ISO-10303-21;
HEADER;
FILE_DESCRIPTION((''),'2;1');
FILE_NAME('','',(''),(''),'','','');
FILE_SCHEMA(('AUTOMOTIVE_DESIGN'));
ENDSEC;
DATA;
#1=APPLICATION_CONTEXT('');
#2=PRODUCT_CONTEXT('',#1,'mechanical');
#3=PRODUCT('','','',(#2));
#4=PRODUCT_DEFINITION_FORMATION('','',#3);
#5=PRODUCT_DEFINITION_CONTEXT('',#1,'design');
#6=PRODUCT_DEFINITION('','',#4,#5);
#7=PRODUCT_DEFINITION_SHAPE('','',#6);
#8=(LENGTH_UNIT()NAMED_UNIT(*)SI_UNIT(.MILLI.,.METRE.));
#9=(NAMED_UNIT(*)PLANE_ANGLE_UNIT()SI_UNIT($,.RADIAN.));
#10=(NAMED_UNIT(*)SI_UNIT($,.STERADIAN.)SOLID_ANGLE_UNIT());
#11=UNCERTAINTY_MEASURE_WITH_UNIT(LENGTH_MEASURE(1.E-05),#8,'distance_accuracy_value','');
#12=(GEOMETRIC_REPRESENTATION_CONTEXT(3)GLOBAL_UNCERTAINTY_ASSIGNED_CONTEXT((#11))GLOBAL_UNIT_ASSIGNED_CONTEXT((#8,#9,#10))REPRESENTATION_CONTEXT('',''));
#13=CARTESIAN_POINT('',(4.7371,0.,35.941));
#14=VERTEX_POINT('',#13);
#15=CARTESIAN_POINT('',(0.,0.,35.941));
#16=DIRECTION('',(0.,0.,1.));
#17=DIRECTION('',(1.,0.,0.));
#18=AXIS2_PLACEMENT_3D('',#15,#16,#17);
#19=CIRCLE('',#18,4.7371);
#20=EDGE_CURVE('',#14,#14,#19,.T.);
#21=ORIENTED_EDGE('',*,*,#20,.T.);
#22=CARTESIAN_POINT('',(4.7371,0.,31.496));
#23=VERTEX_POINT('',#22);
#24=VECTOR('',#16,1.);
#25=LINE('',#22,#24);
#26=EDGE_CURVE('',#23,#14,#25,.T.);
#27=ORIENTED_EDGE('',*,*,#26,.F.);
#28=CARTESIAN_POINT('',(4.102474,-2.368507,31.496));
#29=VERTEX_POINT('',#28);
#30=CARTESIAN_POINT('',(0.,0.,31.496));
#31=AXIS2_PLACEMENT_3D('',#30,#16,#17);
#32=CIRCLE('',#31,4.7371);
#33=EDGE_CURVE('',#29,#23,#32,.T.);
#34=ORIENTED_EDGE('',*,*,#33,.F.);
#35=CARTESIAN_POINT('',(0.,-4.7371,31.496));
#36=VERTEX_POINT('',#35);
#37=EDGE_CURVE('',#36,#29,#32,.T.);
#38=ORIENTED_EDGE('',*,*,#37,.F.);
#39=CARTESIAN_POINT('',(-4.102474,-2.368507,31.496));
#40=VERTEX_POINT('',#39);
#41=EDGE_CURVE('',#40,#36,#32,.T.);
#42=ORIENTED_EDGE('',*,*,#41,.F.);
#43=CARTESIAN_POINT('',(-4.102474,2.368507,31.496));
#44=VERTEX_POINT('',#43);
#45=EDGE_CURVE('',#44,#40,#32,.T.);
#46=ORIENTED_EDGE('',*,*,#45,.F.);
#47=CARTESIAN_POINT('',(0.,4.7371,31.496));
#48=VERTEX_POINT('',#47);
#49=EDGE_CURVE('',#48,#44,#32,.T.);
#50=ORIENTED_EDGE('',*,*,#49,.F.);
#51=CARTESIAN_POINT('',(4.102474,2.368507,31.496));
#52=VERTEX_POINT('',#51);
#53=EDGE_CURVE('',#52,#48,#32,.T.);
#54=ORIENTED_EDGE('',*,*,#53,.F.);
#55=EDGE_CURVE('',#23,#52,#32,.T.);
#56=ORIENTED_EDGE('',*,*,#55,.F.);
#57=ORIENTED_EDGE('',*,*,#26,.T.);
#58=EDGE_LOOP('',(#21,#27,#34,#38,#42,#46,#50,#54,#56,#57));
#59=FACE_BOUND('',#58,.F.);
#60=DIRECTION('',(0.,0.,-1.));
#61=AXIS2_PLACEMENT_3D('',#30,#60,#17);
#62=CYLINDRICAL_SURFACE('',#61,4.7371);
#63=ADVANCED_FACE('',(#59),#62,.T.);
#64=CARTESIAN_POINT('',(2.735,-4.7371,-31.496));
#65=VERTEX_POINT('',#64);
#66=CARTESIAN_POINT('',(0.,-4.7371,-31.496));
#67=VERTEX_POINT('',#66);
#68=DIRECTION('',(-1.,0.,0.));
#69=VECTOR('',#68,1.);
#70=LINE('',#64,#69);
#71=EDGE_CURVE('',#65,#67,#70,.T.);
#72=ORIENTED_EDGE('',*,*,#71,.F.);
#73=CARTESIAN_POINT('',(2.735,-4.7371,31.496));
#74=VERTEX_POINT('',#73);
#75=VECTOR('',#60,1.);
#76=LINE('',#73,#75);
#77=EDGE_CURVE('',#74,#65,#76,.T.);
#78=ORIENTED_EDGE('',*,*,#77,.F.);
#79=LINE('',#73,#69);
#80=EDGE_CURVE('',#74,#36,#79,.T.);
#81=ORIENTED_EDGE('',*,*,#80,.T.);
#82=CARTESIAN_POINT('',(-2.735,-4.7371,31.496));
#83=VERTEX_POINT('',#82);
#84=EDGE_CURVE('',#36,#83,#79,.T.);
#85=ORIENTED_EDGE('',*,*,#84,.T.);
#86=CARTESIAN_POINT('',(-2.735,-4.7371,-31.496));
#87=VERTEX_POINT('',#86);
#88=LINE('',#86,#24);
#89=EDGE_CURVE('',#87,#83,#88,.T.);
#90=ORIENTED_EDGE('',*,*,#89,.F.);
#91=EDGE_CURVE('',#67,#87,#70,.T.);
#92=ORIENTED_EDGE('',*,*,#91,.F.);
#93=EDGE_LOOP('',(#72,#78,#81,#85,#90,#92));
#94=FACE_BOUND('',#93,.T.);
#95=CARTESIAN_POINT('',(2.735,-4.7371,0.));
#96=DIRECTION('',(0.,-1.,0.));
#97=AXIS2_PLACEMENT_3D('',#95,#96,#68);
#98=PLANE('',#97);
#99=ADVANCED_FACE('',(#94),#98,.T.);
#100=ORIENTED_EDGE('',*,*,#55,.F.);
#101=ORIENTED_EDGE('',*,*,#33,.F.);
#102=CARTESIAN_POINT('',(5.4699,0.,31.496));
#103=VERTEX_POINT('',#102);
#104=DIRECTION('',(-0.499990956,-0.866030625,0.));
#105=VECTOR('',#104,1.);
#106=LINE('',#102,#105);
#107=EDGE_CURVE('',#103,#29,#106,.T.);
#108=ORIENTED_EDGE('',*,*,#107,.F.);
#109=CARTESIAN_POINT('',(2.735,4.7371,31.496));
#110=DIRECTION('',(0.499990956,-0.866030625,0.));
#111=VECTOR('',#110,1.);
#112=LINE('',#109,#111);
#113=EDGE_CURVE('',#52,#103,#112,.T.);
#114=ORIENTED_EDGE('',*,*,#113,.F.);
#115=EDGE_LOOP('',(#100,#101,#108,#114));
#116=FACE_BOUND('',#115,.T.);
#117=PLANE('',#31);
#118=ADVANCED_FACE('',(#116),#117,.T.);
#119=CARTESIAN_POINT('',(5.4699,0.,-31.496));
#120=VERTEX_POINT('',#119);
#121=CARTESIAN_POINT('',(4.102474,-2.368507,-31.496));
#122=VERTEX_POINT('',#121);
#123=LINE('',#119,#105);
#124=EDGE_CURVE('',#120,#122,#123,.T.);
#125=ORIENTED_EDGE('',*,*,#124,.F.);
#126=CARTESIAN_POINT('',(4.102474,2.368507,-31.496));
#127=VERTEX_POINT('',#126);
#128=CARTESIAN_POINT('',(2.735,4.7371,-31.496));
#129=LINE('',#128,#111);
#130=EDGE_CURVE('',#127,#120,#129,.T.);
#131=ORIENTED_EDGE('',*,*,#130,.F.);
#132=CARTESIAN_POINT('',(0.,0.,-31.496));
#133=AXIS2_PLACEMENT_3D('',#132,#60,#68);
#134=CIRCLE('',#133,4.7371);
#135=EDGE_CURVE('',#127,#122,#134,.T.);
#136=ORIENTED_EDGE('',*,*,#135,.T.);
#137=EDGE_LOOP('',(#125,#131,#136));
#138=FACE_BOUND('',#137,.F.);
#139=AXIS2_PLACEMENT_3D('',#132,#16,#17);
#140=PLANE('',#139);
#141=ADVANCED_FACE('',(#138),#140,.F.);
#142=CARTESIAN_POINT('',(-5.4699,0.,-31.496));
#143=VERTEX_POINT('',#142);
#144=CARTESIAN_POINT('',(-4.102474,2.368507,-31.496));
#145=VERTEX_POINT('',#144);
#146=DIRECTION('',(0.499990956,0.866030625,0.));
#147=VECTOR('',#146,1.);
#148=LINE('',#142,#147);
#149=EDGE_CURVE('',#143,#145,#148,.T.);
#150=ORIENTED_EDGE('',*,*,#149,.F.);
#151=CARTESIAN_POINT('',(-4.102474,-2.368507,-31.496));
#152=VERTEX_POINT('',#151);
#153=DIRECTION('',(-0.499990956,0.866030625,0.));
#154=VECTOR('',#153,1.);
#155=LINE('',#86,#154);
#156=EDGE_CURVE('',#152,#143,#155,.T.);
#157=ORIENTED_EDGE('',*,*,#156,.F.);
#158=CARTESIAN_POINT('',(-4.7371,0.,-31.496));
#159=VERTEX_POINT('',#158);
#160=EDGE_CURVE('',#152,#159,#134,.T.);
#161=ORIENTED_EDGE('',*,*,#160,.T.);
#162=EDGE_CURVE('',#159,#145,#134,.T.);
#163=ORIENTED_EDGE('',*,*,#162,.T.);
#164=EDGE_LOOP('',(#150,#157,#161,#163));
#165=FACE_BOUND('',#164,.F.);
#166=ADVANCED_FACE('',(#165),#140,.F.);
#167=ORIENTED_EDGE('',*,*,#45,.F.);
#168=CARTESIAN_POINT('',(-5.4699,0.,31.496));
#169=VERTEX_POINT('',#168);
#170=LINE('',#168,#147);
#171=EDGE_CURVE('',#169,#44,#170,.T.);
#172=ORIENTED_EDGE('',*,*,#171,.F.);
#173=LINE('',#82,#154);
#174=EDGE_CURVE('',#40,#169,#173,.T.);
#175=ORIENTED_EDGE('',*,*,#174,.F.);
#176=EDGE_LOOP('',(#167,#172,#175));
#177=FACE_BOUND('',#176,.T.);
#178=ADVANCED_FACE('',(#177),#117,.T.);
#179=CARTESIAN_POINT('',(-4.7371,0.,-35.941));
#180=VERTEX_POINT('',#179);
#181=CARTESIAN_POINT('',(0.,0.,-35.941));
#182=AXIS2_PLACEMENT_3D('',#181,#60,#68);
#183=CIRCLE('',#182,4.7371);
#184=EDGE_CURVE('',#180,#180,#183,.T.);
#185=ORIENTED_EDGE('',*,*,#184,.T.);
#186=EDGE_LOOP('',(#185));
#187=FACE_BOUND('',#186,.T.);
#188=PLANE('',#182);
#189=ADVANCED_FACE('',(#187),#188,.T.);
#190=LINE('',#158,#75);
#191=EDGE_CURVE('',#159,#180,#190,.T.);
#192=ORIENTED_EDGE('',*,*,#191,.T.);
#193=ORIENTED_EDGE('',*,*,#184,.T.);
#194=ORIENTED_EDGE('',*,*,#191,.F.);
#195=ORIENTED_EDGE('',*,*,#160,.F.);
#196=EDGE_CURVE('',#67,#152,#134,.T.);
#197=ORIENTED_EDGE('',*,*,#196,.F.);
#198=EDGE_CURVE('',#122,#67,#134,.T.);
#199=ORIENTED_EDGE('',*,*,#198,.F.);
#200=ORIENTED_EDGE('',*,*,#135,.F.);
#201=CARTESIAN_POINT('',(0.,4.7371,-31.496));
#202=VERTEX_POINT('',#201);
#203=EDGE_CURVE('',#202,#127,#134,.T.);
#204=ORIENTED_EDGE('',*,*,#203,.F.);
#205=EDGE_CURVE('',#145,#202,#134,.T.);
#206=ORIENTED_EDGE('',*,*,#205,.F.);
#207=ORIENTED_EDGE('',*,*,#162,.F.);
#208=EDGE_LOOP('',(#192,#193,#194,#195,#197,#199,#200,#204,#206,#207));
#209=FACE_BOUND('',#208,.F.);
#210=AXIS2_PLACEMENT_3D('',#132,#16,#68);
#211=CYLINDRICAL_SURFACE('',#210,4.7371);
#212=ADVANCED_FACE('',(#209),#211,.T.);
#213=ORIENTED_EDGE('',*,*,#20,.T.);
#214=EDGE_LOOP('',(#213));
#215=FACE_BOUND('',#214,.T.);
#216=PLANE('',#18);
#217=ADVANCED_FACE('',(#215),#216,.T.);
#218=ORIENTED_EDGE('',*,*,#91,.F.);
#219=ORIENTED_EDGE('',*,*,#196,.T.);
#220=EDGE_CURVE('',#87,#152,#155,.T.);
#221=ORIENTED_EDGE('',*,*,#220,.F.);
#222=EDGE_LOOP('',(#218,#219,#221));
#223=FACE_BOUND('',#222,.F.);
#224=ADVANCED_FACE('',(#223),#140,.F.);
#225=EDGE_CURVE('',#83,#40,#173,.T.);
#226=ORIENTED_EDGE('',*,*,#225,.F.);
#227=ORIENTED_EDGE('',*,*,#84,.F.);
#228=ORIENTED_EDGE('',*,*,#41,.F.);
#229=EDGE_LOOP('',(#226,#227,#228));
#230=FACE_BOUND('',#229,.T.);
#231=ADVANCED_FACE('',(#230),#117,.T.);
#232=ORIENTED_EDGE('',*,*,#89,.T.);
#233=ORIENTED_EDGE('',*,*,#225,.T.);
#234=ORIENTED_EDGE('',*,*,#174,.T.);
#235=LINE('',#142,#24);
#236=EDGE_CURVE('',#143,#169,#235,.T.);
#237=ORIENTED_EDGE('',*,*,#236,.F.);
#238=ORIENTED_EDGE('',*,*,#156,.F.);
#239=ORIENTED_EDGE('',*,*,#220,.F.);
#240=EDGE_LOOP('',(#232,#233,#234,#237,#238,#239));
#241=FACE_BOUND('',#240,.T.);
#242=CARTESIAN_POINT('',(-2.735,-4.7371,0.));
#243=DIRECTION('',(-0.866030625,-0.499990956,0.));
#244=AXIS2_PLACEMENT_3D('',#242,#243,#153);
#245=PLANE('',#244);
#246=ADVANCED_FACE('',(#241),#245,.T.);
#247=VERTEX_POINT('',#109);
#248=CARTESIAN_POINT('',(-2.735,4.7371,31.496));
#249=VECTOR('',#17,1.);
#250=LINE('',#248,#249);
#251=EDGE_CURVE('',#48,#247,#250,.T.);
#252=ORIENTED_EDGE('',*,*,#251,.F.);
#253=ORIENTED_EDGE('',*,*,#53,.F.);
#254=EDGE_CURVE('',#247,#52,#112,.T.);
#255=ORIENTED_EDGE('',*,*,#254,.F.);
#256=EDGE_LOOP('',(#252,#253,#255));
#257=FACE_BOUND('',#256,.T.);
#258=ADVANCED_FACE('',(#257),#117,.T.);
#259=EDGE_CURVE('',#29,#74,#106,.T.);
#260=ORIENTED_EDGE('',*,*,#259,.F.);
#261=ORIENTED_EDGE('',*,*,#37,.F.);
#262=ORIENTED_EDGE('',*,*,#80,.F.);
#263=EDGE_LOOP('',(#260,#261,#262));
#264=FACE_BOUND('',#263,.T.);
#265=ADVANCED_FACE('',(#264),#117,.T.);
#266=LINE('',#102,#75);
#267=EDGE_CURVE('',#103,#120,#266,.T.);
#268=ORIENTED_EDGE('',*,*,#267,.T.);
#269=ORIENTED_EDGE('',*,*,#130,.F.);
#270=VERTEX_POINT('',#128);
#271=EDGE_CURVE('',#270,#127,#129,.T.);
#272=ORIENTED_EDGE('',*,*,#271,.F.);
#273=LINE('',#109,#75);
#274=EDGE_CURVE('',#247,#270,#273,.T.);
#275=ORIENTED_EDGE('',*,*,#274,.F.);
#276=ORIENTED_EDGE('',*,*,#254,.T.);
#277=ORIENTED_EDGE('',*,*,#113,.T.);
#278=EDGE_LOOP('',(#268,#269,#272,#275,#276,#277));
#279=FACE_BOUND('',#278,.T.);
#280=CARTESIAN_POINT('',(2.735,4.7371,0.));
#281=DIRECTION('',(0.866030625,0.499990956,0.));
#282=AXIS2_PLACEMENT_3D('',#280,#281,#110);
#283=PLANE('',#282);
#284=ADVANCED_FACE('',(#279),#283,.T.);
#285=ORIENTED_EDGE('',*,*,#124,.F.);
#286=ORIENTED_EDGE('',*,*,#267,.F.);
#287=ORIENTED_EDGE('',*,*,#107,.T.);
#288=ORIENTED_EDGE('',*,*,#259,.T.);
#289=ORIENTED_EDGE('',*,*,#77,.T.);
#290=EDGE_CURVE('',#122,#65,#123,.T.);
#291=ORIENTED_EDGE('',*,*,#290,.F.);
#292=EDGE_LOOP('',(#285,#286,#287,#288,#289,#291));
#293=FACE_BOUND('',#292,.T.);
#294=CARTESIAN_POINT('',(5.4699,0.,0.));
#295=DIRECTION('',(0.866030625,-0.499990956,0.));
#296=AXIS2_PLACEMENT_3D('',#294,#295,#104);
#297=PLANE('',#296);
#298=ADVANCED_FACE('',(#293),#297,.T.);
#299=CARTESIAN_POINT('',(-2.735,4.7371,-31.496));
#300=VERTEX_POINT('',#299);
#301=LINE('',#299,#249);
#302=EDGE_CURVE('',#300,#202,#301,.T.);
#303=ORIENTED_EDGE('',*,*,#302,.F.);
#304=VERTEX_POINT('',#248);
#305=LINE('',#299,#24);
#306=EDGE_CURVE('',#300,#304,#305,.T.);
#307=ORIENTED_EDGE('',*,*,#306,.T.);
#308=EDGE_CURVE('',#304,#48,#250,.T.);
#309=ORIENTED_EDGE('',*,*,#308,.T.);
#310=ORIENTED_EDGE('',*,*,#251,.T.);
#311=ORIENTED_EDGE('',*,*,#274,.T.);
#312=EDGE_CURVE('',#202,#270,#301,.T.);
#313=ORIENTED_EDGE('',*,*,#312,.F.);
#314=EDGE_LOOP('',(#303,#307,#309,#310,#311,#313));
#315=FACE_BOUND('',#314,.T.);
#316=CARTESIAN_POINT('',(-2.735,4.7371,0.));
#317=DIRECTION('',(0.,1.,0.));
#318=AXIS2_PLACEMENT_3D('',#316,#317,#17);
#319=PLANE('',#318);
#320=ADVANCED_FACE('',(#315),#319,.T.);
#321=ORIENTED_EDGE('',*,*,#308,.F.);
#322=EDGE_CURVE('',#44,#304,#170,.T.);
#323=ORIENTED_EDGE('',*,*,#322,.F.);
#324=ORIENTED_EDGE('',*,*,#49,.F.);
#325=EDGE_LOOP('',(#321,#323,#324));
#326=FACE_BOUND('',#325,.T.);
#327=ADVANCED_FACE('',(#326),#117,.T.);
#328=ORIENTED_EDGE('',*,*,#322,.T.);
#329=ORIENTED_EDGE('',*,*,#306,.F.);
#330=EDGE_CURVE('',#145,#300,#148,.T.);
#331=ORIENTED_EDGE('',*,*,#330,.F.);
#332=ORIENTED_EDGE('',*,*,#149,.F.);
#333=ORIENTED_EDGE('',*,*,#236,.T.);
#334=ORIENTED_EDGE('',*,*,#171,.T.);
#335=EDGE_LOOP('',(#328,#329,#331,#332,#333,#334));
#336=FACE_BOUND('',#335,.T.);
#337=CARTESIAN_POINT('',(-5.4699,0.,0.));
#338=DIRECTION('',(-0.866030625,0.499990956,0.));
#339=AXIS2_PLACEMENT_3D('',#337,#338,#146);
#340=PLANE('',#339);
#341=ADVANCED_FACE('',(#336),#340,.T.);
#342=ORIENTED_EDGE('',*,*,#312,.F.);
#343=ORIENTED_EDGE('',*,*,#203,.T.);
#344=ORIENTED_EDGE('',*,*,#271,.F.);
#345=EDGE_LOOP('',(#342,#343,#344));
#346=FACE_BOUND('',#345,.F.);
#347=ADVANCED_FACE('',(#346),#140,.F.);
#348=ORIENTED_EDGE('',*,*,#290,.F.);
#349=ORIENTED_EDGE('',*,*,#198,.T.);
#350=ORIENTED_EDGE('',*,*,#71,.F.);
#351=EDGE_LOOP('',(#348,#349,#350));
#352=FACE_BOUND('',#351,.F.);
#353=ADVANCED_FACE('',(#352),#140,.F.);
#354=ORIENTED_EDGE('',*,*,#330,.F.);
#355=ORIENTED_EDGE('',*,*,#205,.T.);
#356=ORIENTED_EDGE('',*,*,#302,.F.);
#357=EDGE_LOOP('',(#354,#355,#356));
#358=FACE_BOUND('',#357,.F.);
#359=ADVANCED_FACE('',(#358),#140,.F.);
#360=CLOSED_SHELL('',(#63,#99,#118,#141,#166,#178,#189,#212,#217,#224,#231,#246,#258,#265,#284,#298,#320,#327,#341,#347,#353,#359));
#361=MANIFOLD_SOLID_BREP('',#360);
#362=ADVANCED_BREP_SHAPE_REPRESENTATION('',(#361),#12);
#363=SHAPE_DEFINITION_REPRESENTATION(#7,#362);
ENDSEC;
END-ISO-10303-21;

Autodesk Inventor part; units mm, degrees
ref_plane "YZ Plane" through (0, 0, 0) normal (1, 0, 0) x (0, 1, 0)
ref_plane "XZ Plane" through (0, 0, 0) normal (0, 1, 0) x (-1, 0, 0)
ref_plane "XY Plane" through (0, 0, 0) normal (0, 0, 1) x (1, 0, 0)
sketch "Sketch1" plane through (0, 0, 0) normal (0, 0, 1) x (1, 0, 0)
  line L0 (-2.735, 4.7371) -> (2.735, 4.7371)
  line L1 (2.735, 4.7371) -> (5.4699, 0)
  line L2 (5.4699, 0) -> (2.735, -4.7371)
  line L3 (2.735, -4.7371) -> (-2.735, -4.7371)
  line L4 (-2.735, -4.7371) -> (-5.4699, 0)
  line L5 (-5.4699, 0) -> (-2.735, 4.7371)
  point P0 (0, 0)
  point P1 (0, 0)
  dimension "d0" = 9.4742
extrude "Extrusion1" add sketch "Sketch1" along normal mid plane 62.992
sketch "Sketch2" plane through (0, 0, 31.496) normal (0, 0, 1) x (1, 0, 0)
  circle A0 centre (0, 0) radius 4.7371
  dimension "d3" = 9.4742
extrude "Extrusion2" add sketch "Sketch2" along normal blind 4.445
sketch "Sketch3" plane through (0, 0, -31.496) normal (0, 0, -1) x (-1, 0, 0)
  circle A0 centre (0, 0) radius 4.7371
  dimension "d6" = 9.4742
extrude "Extrusion3" add sketch "Sketch3" along normal blind 4.445
properties part number "AM shifter new input shaft" material "Steel"
